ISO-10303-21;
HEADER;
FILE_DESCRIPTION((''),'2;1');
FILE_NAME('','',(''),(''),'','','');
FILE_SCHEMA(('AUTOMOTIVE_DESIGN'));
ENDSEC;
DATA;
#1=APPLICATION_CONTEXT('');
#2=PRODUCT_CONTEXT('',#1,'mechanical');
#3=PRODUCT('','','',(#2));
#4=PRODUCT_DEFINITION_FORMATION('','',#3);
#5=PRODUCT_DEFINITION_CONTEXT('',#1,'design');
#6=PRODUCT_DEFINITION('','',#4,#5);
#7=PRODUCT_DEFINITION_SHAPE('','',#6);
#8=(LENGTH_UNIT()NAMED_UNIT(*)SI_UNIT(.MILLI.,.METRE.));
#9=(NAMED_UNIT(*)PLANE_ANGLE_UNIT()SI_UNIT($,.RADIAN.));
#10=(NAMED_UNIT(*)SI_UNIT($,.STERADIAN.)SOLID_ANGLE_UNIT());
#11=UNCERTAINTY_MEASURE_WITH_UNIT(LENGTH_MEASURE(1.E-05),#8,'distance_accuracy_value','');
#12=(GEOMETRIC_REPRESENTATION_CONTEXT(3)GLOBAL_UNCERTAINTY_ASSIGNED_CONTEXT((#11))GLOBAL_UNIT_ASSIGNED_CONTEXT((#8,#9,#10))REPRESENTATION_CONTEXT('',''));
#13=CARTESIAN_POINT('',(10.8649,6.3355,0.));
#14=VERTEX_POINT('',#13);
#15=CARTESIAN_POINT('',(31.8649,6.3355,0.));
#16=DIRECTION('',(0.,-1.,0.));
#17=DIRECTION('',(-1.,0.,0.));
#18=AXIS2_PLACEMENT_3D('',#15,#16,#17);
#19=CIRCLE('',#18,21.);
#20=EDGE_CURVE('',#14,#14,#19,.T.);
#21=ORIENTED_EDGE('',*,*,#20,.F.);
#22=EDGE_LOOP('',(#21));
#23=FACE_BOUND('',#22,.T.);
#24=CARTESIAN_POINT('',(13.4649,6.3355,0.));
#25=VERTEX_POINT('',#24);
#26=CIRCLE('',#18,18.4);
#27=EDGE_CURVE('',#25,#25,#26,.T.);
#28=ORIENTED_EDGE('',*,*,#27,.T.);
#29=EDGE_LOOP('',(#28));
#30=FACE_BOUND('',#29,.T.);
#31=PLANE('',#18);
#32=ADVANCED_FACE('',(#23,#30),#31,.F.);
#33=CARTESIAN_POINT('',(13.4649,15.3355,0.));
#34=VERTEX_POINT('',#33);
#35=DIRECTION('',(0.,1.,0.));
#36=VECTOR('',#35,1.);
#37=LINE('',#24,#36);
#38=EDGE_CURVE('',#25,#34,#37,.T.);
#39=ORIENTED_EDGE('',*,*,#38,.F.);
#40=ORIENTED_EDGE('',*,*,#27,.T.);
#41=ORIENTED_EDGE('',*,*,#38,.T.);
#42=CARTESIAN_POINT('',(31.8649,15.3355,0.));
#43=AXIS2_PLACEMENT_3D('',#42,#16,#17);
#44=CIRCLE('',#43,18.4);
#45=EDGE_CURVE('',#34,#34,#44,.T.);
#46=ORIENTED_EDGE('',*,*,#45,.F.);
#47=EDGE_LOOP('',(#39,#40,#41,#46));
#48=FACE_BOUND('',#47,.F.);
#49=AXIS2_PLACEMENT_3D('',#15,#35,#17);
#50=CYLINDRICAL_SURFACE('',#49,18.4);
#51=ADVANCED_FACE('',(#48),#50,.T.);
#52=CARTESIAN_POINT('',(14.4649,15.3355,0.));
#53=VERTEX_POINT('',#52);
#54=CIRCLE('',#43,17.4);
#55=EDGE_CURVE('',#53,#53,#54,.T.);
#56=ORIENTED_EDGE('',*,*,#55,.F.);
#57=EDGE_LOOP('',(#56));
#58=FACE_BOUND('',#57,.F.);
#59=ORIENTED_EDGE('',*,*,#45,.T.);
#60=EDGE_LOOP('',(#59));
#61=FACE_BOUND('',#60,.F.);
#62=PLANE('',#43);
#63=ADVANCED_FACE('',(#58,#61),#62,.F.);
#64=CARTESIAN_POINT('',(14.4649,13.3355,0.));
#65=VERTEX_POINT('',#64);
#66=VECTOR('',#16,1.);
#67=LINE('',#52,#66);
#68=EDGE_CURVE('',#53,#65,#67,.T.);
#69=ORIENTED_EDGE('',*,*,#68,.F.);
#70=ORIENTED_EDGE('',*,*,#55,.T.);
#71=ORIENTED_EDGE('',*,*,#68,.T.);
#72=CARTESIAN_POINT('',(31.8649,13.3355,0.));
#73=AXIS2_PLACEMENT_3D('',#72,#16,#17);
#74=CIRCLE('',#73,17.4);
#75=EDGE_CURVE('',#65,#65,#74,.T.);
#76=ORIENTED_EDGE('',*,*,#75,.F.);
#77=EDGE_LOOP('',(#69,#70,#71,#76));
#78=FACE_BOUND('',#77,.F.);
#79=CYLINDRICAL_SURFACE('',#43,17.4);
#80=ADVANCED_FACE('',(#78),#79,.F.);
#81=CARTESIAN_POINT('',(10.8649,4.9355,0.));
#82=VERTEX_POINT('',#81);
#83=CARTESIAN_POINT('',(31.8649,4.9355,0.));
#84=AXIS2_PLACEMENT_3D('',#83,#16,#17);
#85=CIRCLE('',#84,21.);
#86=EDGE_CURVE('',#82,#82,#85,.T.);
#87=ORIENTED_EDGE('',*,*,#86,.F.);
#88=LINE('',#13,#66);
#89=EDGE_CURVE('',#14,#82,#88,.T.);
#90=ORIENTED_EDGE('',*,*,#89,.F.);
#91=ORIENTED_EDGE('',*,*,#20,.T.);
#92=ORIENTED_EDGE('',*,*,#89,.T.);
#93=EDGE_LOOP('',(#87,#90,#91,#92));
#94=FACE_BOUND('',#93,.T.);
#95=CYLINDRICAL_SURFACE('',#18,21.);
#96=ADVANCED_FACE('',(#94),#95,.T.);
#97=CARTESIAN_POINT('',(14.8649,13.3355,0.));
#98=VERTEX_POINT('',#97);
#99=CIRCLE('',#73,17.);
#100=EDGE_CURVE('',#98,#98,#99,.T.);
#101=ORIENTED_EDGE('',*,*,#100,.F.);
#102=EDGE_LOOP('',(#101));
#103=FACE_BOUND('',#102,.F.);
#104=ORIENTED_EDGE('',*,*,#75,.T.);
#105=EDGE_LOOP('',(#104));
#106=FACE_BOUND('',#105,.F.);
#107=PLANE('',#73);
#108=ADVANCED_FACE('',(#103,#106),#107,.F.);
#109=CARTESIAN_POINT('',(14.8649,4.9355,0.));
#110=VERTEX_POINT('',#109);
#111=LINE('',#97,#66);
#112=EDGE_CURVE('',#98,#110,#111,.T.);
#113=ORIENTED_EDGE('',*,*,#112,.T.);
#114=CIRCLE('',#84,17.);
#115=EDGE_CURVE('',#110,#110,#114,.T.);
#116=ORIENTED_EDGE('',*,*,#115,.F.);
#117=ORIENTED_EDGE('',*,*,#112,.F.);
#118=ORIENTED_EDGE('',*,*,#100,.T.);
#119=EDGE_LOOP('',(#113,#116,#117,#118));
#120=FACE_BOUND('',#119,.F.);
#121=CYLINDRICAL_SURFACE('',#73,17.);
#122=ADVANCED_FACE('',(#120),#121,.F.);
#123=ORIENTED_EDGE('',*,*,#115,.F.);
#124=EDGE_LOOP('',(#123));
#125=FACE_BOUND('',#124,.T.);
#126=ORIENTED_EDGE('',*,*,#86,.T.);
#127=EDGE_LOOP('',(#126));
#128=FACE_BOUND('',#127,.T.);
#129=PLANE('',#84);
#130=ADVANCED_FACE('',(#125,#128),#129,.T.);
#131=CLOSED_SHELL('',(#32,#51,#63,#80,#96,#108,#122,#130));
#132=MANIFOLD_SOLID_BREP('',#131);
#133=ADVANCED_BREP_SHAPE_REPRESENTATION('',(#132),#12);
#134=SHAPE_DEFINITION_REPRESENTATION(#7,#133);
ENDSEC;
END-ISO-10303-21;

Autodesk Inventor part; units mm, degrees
ref_plane "YZ Plane" through (0, 0, 0) normal (1, 0, 0) x (0, 1, 0)
ref_plane "XZ Plane" through (0, 0, 0) normal (0, 1, 0) x (-1, 0, 0)
ref_plane "XY Plane" through (0, 0, 0) normal (0, 0, 1) x (1, 0, 0)
sketch "Sketch1" plane through (0, 0, 0) normal (0, 0, 1) x (1, 0, 0)
  line L0 (10.8649, 4.9355) -> (14.8649, 4.9355)
  line L1 (13.4649, 6.3355) -> (10.8649, 6.3355)
  line L2 (10.8649, 6.3355) -> (10.8649, 4.9355)
  line L3 (13.4649, 6.3355) -> (13.4649, 15.3355)
  line L4 (13.4649, 15.3355) -> (14.4649, 15.3355)
  line L5 (14.4649, 15.3355) -> (14.4649, 13.3355)
  line L6 (14.4649, 13.3355) -> (14.8649, 13.3355)
  line L7 (14.8649, 13.3355) -> (14.8649, 4.9355)
  line L8 (31.8649, 18.7517) -> (31.8649, 1.3446)
  dimension "d4" = 9
  dimension "d6" = 1
  dimension "d7" = 2
  dimension "d10" = 0.4
  dimension "d12" = 8.4
  dimension "d13" = 21
  dimension "d15" = 18.4
  dimension "d17" = 1.4
revolve "Revolution1" add sketch "Sketch1" angle 360 about axis through (31.8649, 18.7517, 0) along (0, -1, 0)
properties part number "mask_breath_top_lc"
